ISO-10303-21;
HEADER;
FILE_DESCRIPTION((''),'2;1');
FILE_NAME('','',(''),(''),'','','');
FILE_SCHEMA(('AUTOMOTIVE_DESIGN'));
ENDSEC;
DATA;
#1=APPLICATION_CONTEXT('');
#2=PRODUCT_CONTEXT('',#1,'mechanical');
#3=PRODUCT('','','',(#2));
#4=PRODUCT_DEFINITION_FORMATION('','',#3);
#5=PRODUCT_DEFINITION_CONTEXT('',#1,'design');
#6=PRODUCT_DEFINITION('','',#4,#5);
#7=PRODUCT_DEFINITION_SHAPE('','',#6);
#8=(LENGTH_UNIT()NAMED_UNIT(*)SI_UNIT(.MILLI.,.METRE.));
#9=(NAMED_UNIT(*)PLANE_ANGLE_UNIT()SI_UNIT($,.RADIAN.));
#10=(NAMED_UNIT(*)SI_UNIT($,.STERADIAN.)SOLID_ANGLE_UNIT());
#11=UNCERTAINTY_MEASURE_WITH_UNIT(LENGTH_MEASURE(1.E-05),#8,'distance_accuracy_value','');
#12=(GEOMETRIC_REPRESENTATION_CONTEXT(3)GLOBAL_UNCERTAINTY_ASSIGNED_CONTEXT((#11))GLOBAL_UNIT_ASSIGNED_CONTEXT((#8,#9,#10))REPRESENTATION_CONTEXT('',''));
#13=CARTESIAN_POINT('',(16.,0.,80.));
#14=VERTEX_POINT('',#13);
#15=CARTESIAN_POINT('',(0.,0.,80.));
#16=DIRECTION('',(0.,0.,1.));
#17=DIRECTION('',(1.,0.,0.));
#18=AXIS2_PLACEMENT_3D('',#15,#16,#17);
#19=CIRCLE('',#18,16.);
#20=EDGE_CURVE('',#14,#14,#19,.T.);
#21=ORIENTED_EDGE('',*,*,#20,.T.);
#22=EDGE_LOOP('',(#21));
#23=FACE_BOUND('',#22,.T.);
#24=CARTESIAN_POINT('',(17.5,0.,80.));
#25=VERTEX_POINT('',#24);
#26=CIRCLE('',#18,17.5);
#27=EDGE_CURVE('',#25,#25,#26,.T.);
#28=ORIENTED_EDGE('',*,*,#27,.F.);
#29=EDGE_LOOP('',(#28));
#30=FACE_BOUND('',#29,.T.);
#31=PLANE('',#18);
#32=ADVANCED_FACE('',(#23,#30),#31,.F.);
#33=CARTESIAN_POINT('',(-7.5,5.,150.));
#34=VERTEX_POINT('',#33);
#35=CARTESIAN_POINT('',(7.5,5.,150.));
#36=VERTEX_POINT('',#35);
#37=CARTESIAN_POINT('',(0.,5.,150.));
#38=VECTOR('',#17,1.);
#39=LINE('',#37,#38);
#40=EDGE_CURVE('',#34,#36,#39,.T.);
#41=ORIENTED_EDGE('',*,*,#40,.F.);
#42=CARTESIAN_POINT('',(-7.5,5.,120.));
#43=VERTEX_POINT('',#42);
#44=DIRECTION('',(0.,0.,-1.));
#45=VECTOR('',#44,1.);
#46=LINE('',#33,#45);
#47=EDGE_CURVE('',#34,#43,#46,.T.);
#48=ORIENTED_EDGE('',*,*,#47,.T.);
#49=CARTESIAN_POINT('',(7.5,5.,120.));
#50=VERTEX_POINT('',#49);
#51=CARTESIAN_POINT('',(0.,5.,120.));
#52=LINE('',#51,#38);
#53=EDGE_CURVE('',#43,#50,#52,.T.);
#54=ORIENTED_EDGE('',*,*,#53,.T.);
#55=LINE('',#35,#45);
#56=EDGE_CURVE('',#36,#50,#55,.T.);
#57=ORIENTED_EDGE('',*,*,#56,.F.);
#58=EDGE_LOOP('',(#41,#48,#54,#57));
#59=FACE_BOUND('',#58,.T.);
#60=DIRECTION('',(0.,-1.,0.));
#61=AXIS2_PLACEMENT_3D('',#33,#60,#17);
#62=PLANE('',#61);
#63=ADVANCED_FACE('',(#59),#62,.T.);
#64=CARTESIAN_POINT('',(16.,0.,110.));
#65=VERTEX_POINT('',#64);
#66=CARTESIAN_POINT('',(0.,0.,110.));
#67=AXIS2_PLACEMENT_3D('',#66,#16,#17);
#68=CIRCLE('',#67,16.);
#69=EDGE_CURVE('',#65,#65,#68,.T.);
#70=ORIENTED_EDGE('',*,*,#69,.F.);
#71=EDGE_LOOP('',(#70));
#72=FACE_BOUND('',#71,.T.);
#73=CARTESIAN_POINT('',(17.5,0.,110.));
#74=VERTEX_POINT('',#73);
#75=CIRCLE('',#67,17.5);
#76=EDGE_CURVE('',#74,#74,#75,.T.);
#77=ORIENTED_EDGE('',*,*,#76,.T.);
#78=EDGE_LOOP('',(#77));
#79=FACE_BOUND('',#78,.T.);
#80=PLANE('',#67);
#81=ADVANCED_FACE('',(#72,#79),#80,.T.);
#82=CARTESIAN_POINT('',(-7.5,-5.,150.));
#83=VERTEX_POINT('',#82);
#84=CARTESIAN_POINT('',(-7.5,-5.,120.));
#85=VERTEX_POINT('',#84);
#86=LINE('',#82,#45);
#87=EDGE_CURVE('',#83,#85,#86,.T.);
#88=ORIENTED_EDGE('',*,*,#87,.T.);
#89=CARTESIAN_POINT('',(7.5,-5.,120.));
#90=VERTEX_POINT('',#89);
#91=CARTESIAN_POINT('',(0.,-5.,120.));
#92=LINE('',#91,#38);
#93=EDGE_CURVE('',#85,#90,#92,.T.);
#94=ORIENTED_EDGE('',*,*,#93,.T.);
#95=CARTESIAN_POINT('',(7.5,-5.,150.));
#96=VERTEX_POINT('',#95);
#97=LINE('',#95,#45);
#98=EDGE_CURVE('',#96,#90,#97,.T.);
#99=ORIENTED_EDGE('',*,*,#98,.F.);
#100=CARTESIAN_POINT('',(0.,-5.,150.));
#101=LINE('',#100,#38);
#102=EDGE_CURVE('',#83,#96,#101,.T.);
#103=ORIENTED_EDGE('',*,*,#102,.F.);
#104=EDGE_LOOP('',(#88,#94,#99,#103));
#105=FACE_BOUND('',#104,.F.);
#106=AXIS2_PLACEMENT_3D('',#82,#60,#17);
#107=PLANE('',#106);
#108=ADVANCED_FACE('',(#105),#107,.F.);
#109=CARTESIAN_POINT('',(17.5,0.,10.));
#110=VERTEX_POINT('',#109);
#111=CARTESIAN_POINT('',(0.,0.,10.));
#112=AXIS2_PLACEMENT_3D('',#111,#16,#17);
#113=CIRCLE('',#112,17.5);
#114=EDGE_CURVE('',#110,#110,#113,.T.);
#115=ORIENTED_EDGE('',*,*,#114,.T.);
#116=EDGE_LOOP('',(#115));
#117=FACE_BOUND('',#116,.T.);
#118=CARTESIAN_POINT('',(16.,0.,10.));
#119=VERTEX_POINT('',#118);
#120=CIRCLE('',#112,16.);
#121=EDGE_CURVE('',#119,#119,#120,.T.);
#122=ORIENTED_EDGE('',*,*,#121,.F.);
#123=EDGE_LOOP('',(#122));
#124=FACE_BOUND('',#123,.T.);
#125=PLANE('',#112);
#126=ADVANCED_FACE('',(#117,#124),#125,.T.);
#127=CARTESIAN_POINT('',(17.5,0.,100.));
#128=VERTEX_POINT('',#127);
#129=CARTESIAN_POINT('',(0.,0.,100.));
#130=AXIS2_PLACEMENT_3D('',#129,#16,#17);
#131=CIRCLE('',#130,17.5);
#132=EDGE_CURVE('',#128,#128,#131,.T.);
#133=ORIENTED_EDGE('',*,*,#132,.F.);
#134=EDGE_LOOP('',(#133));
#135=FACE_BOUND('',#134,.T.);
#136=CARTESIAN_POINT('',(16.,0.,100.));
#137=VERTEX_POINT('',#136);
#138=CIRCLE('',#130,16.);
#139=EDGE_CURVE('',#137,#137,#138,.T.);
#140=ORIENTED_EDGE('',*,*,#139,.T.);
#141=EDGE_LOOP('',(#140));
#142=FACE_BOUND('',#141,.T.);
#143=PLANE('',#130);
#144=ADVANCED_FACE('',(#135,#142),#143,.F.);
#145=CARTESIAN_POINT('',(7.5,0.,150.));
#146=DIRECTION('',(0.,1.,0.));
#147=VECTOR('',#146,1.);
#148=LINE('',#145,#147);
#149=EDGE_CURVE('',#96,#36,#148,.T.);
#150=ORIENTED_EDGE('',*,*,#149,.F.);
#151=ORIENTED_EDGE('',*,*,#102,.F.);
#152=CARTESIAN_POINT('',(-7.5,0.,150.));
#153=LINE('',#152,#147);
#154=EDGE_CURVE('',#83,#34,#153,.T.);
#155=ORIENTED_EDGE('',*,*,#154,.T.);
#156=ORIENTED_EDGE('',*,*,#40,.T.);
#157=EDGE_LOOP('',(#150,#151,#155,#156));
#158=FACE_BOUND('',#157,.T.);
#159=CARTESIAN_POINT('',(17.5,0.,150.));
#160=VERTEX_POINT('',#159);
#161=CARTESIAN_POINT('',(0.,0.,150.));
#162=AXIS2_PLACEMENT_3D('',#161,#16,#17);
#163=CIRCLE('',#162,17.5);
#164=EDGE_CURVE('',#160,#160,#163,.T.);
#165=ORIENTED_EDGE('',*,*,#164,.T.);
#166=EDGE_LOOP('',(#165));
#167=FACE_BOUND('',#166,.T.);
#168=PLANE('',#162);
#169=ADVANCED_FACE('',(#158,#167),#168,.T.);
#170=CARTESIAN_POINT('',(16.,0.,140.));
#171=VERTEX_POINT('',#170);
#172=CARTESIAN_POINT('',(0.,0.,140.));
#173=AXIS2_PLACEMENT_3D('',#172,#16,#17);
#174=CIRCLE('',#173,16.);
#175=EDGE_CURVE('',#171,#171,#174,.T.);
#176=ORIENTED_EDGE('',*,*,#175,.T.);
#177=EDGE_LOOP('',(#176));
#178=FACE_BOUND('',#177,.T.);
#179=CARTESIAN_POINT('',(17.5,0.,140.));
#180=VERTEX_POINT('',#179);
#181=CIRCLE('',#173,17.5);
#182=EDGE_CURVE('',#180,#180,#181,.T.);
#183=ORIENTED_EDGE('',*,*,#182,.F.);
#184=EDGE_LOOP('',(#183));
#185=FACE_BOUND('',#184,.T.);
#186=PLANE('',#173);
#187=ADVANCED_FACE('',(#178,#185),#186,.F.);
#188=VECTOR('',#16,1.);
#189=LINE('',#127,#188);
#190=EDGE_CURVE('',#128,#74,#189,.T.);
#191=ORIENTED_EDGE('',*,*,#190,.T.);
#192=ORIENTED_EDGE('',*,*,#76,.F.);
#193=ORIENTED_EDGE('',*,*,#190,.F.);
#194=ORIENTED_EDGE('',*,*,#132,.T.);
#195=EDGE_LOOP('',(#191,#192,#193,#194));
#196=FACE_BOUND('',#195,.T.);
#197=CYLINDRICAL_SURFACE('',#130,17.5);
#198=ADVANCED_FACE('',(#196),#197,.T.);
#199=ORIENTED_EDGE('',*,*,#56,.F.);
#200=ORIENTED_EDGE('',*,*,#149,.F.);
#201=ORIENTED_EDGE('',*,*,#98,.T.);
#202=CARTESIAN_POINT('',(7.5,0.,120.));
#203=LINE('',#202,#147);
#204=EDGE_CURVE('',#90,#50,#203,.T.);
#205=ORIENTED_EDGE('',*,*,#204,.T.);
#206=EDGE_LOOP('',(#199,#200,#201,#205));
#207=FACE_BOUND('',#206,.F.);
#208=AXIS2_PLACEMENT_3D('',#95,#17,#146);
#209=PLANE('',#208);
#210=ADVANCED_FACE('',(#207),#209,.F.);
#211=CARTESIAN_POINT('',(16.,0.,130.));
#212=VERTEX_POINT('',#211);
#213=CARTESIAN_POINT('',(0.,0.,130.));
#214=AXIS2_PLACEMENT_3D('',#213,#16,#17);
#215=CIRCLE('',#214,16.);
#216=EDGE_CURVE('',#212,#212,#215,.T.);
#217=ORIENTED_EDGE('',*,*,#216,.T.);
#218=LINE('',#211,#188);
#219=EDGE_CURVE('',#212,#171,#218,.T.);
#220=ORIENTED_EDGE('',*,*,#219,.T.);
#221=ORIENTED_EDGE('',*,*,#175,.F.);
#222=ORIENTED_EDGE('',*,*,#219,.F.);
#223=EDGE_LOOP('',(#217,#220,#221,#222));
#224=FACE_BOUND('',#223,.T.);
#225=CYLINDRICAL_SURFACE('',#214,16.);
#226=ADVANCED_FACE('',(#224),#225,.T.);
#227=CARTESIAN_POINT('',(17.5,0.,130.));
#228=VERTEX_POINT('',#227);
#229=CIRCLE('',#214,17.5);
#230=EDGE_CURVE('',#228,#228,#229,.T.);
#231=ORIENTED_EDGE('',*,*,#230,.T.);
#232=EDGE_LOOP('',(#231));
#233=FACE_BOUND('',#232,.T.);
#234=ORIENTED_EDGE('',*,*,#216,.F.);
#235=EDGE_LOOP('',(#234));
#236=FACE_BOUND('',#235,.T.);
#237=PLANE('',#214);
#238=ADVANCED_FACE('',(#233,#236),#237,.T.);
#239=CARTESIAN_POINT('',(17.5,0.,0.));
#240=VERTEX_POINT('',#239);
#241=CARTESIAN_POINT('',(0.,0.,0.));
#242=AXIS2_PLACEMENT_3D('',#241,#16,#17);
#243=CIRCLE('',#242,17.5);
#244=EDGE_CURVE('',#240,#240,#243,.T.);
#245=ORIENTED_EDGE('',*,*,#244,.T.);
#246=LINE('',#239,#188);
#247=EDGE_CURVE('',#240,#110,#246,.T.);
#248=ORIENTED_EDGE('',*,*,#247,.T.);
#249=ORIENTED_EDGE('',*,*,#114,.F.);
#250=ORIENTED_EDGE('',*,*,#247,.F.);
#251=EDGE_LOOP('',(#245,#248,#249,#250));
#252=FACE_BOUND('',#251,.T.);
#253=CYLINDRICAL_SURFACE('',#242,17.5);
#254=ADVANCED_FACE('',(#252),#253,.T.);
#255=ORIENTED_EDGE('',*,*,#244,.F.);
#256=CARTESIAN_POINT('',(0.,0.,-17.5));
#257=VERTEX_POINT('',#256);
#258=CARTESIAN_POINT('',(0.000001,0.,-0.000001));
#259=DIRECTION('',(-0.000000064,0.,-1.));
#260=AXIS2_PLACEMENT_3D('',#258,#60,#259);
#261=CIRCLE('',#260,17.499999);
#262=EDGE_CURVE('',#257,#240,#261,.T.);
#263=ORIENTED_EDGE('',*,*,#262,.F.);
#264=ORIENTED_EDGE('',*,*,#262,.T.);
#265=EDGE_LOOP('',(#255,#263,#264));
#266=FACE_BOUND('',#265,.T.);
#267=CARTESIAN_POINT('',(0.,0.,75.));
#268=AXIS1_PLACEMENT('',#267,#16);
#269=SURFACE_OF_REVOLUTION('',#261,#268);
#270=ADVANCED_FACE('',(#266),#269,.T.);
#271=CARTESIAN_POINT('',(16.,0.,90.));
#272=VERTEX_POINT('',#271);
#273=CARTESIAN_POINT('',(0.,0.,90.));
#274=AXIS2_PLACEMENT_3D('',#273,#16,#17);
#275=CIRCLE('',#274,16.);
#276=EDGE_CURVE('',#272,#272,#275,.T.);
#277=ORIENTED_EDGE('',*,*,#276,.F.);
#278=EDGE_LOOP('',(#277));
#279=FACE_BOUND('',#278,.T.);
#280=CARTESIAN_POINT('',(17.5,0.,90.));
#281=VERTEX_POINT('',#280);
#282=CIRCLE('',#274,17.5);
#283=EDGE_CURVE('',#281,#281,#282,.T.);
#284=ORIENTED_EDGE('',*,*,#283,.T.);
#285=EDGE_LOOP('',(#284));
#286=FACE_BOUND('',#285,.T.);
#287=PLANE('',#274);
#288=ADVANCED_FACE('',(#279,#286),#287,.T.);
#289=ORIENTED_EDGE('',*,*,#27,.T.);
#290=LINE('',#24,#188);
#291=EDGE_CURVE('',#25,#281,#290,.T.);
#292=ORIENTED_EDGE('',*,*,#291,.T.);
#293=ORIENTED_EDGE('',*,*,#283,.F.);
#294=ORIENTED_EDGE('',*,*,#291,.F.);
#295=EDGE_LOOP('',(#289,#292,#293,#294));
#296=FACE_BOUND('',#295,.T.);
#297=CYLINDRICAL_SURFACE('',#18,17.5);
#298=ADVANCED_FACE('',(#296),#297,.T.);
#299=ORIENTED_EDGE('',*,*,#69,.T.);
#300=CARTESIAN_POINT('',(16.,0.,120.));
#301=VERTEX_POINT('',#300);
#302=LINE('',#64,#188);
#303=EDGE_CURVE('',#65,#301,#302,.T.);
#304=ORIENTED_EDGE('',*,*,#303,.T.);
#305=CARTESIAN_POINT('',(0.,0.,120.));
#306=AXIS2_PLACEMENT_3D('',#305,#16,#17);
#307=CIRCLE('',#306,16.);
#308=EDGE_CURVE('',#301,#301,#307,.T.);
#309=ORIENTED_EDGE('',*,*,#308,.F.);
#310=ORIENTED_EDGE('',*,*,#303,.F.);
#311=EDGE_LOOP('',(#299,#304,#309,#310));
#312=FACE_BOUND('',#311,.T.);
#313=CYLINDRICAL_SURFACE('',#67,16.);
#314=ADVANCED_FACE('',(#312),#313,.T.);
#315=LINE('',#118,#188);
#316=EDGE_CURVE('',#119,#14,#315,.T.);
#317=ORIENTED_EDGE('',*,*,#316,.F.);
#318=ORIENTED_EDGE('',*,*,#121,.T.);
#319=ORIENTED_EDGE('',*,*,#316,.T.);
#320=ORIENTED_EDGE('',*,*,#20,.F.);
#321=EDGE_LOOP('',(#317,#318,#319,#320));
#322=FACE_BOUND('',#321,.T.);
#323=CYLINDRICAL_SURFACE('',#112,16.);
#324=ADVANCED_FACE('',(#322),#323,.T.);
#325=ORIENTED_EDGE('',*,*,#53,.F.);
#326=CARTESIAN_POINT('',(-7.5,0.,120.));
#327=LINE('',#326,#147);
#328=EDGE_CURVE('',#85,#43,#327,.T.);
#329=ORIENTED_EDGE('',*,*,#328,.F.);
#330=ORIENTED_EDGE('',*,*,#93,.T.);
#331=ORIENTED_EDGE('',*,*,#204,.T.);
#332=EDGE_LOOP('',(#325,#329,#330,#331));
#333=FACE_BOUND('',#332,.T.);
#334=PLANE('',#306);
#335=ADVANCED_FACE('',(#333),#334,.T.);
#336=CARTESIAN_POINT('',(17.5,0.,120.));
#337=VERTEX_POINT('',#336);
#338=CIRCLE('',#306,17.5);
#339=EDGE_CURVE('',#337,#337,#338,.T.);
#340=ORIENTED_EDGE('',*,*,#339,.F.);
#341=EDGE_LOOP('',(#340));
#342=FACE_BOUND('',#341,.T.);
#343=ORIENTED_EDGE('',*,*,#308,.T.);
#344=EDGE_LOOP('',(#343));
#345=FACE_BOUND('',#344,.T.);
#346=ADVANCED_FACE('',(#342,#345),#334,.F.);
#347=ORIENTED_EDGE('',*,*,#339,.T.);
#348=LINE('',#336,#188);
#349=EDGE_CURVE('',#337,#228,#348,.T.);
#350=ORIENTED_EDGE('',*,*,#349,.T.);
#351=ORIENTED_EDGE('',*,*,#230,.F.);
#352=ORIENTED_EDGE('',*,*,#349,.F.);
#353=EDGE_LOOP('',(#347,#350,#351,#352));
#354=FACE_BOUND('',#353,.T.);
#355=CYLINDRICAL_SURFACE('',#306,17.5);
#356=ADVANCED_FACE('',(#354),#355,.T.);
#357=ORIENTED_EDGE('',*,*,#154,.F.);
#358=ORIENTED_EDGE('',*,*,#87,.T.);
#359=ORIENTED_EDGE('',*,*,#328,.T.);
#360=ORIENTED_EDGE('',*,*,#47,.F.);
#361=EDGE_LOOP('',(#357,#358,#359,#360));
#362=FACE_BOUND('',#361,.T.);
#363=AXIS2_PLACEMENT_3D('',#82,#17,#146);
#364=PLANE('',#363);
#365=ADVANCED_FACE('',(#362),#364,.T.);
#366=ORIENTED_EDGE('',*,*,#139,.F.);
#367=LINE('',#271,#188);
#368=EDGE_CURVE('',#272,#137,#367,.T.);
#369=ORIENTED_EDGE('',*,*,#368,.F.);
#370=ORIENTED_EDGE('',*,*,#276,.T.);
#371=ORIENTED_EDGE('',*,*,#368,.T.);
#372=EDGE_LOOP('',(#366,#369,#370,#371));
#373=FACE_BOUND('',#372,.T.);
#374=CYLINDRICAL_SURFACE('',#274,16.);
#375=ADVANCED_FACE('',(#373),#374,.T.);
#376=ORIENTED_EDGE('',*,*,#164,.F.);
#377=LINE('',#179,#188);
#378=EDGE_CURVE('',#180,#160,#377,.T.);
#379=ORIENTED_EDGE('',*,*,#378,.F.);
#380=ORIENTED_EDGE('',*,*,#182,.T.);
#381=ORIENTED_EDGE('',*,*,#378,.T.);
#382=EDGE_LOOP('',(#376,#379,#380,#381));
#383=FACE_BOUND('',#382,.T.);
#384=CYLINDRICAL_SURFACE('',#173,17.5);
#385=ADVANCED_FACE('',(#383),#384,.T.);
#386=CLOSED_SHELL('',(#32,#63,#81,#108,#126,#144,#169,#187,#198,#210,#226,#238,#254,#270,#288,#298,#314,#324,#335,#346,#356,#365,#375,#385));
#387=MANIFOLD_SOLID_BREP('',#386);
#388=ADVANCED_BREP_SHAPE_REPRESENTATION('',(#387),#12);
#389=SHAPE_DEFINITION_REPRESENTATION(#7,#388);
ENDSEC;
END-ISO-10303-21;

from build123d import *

# Parameters (mm, degrees)
F2_W     = 15
F2_H     = 10
F3_DEPTH = 30


with BuildPart() as f1:
    # F0 (on Front) → F1 (revolve)
    with BuildSketch(Plane.XZ):
        with BuildLine():
            Line((17.5, 0), (0, 0))
            Line((0, 0), (0, -17.5))
            ThreePointArc((0, -17.5), (12.374369, -12.374369), (17.5, 0))
        make_face()
        Polygon((0, 150), (0, 0), (17.5, 0), (17.5, 10), (16, 10), (16, 80), (17.5, 80), (17.5, 90), (16, 90), (16, 100), (17.5, 100), (17.5, 110), (16, 110), (16, 120), (17.5, 120), (17.5, 130), (16, 130), (16, 140), (17.5, 140), (17.5, 150), align=None)
    revolve(axis=Axis((0, 0, 75), (0, 0, 1)))

    # F2 (on face) → F3 (cut)
    with BuildSketch(Plane.XY.offset(150)):
        Rectangle(F2_W, F2_H)
    extrude(amount=-F3_DEPTH, mode=Mode.SUBTRACT)


solid = f1.part
